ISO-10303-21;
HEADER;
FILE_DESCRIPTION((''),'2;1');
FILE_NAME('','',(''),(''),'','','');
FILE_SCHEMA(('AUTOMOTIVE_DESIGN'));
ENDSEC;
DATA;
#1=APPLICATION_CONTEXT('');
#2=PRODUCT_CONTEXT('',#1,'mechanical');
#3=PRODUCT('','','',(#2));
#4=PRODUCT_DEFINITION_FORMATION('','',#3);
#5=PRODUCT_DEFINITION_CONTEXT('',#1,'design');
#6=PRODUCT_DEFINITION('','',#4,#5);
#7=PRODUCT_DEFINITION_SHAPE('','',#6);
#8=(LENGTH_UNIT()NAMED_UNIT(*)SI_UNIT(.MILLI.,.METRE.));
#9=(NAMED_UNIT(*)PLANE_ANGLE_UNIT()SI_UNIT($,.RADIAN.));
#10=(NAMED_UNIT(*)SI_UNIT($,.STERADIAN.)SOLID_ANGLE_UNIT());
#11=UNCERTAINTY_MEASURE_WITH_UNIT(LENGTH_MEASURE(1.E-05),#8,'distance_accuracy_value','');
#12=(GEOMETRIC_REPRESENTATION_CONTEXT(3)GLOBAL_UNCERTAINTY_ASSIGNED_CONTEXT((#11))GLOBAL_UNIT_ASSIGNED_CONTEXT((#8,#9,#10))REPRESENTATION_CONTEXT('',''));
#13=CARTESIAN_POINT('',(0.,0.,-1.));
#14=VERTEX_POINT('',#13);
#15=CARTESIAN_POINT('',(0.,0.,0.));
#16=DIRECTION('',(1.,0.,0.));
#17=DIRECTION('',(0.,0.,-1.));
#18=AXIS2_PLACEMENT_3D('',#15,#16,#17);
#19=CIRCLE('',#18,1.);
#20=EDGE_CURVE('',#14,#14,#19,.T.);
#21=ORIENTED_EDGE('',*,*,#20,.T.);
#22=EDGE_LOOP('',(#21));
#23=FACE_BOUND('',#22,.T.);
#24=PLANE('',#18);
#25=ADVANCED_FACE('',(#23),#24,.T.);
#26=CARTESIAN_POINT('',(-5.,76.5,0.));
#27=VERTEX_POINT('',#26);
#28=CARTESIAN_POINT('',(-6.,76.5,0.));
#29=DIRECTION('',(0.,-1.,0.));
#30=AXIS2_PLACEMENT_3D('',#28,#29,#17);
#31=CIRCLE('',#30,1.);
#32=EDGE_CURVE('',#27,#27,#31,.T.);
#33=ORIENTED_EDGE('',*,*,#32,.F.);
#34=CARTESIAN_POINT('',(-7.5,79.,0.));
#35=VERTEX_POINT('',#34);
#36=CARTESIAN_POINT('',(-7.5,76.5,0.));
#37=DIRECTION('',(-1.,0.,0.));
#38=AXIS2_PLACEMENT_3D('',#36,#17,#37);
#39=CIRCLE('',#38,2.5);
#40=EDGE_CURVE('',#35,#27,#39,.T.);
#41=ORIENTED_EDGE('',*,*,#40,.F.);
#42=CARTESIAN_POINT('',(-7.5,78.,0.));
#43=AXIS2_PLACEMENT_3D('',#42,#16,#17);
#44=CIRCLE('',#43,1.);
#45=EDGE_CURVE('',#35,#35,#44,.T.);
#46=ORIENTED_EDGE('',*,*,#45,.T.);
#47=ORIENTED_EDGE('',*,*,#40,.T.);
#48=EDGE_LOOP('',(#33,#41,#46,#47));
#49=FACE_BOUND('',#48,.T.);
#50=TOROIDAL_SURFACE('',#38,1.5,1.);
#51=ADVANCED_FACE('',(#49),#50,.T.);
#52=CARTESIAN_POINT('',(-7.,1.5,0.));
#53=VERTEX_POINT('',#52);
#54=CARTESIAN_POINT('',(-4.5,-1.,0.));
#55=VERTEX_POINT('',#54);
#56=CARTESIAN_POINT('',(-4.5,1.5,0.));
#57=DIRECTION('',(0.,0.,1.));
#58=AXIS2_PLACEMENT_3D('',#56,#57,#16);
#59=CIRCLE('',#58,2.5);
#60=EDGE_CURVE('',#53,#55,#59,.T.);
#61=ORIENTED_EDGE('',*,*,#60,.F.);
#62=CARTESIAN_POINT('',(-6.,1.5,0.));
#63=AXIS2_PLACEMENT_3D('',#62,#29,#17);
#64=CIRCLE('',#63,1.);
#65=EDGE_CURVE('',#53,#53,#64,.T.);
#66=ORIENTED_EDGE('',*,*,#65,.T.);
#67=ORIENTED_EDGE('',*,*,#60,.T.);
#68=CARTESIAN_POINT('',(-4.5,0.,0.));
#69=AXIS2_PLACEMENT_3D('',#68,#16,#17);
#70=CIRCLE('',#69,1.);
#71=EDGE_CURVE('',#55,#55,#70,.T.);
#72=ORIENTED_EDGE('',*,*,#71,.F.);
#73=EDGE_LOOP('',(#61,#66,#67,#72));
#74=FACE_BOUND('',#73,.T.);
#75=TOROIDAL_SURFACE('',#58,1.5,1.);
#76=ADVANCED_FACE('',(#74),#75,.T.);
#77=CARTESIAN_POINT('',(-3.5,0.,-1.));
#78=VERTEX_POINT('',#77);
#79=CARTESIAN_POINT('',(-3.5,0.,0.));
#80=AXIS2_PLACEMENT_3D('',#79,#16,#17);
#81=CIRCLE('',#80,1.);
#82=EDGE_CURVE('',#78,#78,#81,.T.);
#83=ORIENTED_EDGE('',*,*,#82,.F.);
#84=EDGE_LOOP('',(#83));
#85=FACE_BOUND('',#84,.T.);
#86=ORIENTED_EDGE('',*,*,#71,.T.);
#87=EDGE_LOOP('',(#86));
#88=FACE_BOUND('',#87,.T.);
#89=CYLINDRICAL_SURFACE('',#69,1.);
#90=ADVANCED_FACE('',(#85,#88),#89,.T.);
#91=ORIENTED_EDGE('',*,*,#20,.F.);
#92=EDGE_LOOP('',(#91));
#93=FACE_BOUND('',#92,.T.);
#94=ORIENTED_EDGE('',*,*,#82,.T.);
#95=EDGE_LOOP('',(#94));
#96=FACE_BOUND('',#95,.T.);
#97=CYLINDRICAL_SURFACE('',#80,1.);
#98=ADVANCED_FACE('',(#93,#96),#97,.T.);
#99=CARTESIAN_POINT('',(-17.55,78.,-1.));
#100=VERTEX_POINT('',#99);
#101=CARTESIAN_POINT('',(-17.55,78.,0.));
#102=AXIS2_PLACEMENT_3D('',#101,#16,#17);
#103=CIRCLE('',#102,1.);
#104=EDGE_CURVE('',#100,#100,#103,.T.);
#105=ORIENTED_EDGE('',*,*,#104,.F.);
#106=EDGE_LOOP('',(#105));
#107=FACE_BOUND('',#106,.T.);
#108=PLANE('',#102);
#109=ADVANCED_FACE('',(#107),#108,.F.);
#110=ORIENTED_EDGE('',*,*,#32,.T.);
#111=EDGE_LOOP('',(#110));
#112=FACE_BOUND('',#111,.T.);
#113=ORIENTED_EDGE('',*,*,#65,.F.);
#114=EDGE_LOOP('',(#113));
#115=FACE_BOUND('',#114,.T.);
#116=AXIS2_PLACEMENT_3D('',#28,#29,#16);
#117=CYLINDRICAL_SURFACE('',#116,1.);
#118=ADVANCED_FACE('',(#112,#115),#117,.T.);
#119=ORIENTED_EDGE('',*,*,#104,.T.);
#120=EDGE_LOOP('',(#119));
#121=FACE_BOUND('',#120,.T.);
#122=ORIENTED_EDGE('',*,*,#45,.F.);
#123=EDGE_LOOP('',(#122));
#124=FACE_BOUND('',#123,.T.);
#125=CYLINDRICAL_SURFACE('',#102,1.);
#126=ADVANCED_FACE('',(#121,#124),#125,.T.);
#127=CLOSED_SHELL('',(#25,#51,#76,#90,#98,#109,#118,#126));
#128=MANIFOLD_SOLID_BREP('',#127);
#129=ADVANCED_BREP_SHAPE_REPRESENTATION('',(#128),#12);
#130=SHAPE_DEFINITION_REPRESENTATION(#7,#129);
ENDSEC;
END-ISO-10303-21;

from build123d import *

# Parameters (mm, degrees)
SKETCH2_R = 1


with BuildPart() as part:
    # Sweep1: sweep along a path in Sketch1
    with BuildLine(Plane.XY) as sweep1_path:
        Line((-17.55, 78), (-7.5, 78))
        ThreePointArc((-7.5, 78), (-6.439339828, 77.560660172), (-6, 76.5))
        Line((-6, 76.5), (-6, 1.5))
        ThreePointArc((-6, 1.5), (-5.560660172, 0.439339828), (-4.5, 0))
        Line((-4.5, 0), (-3.5, 0))
        Line((-3.5, 0), (0, 0))
    # Sketch2 → Sweep1 (sweep)
    with BuildSketch(Plane(origin=(0, 0, 0), x_dir=(0, 0, -1), z_dir=(1, 0, 0))):
        Circle(SKETCH2_R)
    sweep(path=sweep1_path.line)


solid = part.part
